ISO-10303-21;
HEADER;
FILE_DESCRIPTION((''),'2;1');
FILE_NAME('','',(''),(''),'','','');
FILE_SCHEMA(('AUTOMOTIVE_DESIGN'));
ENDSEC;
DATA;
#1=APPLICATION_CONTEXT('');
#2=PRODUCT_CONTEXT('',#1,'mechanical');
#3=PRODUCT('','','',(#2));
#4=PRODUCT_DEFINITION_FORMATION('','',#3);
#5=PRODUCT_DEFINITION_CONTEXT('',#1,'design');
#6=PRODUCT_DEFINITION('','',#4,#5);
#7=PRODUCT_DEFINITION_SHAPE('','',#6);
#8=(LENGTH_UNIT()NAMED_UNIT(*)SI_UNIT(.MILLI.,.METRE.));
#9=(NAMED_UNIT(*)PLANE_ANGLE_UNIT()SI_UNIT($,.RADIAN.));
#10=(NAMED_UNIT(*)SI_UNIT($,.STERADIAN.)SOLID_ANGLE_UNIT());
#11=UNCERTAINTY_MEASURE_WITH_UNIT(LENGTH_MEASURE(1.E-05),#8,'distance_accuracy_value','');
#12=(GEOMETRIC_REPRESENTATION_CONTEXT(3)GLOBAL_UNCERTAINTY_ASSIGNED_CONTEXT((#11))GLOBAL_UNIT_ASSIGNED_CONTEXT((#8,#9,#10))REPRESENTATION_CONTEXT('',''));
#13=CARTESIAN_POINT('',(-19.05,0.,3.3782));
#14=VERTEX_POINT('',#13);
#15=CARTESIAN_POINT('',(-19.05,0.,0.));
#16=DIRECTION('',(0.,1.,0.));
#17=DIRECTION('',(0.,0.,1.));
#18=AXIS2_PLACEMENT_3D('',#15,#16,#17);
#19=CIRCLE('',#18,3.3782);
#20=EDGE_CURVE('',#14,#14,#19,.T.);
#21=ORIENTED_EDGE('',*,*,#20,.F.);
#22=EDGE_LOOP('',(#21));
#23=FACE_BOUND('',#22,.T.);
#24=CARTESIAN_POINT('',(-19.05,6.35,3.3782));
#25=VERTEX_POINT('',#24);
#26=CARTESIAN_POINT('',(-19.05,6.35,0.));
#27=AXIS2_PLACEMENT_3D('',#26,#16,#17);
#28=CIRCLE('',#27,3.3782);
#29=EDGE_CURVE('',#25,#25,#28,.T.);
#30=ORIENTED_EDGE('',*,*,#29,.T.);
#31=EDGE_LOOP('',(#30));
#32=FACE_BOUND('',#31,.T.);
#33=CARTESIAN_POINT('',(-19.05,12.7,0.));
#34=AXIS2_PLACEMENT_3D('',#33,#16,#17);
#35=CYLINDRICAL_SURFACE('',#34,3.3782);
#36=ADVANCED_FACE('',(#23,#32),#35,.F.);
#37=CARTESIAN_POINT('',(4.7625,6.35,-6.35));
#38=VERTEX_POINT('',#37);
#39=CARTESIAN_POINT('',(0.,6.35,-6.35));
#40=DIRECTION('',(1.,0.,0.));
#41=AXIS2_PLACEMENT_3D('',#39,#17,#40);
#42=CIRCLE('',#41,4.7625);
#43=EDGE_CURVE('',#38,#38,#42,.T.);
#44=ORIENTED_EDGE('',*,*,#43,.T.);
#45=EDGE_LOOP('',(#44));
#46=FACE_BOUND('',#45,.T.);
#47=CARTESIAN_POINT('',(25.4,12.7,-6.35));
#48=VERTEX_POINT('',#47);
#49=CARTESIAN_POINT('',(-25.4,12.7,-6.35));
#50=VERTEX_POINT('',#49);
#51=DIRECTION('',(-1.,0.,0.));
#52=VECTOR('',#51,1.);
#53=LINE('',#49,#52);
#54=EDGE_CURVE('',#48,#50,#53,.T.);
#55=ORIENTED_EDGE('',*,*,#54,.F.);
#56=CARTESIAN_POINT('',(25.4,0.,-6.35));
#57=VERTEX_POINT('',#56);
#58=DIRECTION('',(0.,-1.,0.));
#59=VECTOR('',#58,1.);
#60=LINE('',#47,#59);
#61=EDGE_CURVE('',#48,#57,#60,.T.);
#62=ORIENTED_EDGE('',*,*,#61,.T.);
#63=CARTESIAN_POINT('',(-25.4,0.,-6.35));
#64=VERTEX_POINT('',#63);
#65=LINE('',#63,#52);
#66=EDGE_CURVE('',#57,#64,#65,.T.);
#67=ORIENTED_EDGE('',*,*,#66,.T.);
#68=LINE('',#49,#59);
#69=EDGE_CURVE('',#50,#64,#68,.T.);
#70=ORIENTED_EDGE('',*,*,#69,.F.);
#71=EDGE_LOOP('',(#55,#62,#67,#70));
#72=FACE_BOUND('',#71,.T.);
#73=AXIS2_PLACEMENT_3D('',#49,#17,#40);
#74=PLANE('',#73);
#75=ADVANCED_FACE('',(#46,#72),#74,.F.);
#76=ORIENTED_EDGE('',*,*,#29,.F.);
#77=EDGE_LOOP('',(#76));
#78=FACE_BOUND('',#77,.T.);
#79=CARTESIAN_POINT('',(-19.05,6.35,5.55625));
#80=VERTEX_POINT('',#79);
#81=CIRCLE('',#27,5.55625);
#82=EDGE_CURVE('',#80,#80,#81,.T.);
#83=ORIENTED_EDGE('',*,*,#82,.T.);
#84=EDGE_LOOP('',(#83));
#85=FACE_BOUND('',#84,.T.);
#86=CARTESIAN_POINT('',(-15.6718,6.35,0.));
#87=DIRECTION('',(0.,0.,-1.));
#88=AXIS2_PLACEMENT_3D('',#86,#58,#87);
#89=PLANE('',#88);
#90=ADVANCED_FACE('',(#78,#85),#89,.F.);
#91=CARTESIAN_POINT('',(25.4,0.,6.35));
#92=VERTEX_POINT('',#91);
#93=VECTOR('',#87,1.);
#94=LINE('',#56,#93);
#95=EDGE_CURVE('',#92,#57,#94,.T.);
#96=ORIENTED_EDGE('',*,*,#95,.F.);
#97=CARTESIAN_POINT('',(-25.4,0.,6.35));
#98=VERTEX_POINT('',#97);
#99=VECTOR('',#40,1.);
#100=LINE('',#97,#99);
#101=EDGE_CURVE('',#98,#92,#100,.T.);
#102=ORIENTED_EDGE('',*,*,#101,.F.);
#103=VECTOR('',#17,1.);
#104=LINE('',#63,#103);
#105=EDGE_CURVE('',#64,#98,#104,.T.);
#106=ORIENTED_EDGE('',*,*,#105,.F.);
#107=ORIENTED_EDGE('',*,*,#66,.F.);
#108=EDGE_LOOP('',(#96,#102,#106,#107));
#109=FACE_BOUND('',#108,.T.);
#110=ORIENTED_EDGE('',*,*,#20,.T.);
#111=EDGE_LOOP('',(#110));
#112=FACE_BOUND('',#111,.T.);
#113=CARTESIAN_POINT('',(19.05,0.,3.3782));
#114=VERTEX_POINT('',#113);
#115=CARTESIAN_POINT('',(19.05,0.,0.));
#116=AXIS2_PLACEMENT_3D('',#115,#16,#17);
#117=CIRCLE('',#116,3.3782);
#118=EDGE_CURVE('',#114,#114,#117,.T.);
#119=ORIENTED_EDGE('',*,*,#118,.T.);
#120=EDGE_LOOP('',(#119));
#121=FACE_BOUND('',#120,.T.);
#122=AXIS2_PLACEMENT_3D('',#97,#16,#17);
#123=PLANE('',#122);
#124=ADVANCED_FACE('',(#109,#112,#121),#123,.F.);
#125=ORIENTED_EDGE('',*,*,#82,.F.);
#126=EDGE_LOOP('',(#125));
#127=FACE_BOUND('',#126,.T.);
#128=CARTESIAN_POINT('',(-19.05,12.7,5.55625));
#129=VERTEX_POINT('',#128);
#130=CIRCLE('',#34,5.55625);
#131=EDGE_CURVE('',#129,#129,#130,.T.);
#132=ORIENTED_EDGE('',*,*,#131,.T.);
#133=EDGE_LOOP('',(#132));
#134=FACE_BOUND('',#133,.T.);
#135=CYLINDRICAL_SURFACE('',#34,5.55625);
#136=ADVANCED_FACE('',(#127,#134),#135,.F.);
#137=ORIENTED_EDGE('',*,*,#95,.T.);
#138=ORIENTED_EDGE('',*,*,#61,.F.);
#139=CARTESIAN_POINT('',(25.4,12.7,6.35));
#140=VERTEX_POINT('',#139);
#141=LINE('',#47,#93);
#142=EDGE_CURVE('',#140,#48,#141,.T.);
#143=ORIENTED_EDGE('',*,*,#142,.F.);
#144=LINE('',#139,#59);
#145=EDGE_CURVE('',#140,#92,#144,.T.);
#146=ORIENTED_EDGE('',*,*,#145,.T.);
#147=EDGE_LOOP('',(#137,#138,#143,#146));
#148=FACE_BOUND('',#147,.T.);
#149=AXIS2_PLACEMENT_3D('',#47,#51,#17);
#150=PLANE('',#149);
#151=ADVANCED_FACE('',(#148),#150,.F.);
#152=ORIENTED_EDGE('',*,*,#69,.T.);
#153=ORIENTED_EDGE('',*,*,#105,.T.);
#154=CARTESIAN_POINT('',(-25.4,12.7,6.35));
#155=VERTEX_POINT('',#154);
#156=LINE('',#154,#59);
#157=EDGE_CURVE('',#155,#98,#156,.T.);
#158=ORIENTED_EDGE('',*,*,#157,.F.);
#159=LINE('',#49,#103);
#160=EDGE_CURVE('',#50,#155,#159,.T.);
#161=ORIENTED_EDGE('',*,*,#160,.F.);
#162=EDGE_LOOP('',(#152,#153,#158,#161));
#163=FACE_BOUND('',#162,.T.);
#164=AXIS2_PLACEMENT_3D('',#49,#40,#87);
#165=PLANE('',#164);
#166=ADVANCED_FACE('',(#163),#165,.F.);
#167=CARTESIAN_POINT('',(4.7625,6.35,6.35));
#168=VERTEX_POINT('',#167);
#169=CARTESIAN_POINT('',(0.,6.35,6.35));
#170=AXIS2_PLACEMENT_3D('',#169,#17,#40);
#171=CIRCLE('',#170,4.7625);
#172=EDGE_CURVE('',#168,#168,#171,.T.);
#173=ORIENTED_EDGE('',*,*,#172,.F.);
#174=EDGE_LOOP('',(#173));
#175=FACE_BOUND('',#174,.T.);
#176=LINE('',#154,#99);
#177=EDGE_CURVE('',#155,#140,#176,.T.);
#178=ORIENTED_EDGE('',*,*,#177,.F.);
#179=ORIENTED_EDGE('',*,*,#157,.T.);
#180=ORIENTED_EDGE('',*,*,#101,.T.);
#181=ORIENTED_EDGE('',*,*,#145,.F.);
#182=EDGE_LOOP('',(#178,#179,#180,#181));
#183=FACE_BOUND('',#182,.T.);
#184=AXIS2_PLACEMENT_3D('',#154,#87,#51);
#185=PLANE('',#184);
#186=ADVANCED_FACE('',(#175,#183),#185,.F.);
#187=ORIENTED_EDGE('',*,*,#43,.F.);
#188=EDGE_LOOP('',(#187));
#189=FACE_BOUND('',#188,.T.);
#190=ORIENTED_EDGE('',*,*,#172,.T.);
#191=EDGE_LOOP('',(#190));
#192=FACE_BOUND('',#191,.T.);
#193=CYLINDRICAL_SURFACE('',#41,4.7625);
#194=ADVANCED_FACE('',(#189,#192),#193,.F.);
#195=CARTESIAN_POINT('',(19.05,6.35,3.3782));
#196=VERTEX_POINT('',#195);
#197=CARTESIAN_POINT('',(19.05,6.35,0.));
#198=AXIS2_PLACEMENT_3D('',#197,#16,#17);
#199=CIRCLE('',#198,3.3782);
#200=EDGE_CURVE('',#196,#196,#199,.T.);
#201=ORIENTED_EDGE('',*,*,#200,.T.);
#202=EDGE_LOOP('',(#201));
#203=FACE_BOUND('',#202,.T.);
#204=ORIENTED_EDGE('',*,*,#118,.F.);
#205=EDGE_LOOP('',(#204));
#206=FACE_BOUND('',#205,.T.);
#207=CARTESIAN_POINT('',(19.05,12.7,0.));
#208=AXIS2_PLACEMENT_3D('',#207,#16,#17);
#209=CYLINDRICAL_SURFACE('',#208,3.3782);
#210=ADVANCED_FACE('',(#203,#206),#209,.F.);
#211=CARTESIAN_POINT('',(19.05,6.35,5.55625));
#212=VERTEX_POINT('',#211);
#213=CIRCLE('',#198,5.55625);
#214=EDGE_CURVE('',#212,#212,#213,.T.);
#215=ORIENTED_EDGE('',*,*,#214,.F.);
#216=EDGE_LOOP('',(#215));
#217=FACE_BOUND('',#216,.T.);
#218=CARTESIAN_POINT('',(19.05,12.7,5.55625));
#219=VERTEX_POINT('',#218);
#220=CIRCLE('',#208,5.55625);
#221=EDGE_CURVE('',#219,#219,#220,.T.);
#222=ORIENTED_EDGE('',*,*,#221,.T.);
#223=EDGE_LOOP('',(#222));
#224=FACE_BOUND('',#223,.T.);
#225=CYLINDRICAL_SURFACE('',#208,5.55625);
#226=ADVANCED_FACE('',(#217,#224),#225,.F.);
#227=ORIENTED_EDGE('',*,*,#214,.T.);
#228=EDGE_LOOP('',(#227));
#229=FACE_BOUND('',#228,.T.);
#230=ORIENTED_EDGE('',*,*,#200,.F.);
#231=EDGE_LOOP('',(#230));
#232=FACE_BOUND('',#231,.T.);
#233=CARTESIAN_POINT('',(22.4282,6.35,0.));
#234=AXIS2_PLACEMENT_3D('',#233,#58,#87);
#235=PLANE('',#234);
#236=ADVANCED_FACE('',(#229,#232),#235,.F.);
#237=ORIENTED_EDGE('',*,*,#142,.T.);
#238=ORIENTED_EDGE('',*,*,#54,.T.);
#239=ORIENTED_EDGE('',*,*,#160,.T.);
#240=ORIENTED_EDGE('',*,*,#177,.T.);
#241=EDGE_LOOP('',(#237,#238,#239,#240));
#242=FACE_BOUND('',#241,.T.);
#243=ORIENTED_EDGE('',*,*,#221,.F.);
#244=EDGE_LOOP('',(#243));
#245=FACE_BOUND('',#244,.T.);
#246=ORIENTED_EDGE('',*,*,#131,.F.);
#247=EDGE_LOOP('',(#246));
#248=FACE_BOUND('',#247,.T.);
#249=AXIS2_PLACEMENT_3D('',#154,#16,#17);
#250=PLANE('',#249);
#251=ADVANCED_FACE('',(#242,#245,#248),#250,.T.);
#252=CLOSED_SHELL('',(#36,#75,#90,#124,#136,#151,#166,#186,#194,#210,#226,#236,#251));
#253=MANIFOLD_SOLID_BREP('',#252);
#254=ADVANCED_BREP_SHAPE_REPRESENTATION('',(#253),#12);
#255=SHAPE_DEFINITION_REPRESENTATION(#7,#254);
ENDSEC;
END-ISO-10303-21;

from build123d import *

# Parameters (mm, degrees)
SKETCH1_W                                        = 50.8
SKETCH1_H                                        = 12.7
EXTRUDE1_DEPTH                                   = 12.7
SKETCH3_R                                        = 4.7625
CUT_EXTRUDE2_DEPTH                               = 32.108519733
CBORE_FOR_1_4_SOCKET_HEAD_CAP_SCREW1_D           = 6.7564
CBORE_FOR_1_4_SOCKET_HEAD_CAP_SCREW1_CBORE_D     = 11.1125
CBORE_FOR_1_4_SOCKET_HEAD_CAP_SCREW1_CBORE_DEPTH = 6.35


with BuildPart() as part:
    # Sketch1 → Extrude1 (new body)
    with BuildSketch(Plane(origin=(0, 0, 0), x_dir=(1, 0, 0), z_dir=(0, 1, 0))):
        Rectangle(SKETCH1_W, SKETCH1_H)
    extrude(amount=EXTRUDE1_DEPTH)

    # Sketch3 → Cut-Extrude2 (cut, through all)
    with BuildSketch(Plane.XY.offset(6.35)):
        with Locations((0, 6.35)):
            Circle(SKETCH3_R)
    extrude(amount=-CUT_EXTRUDE2_DEPTH, mode=Mode.SUBTRACT)

    # CBORE for 1/4 Socket Head Cap Screw1 (through all)
    with Locations(Plane(origin=(0, 12.7, 0), x_dir=(-1, 0, 0), z_dir=(0, 1, 0))):
        with Locations((-19.05, 0), (19.05, 0)):
            CounterBoreHole(CBORE_FOR_1_4_SOCKET_HEAD_CAP_SCREW1_D / 2, CBORE_FOR_1_4_SOCKET_HEAD_CAP_SCREW1_CBORE_D / 2, CBORE_FOR_1_4_SOCKET_HEAD_CAP_SCREW1_CBORE_DEPTH)


solid = part.part
